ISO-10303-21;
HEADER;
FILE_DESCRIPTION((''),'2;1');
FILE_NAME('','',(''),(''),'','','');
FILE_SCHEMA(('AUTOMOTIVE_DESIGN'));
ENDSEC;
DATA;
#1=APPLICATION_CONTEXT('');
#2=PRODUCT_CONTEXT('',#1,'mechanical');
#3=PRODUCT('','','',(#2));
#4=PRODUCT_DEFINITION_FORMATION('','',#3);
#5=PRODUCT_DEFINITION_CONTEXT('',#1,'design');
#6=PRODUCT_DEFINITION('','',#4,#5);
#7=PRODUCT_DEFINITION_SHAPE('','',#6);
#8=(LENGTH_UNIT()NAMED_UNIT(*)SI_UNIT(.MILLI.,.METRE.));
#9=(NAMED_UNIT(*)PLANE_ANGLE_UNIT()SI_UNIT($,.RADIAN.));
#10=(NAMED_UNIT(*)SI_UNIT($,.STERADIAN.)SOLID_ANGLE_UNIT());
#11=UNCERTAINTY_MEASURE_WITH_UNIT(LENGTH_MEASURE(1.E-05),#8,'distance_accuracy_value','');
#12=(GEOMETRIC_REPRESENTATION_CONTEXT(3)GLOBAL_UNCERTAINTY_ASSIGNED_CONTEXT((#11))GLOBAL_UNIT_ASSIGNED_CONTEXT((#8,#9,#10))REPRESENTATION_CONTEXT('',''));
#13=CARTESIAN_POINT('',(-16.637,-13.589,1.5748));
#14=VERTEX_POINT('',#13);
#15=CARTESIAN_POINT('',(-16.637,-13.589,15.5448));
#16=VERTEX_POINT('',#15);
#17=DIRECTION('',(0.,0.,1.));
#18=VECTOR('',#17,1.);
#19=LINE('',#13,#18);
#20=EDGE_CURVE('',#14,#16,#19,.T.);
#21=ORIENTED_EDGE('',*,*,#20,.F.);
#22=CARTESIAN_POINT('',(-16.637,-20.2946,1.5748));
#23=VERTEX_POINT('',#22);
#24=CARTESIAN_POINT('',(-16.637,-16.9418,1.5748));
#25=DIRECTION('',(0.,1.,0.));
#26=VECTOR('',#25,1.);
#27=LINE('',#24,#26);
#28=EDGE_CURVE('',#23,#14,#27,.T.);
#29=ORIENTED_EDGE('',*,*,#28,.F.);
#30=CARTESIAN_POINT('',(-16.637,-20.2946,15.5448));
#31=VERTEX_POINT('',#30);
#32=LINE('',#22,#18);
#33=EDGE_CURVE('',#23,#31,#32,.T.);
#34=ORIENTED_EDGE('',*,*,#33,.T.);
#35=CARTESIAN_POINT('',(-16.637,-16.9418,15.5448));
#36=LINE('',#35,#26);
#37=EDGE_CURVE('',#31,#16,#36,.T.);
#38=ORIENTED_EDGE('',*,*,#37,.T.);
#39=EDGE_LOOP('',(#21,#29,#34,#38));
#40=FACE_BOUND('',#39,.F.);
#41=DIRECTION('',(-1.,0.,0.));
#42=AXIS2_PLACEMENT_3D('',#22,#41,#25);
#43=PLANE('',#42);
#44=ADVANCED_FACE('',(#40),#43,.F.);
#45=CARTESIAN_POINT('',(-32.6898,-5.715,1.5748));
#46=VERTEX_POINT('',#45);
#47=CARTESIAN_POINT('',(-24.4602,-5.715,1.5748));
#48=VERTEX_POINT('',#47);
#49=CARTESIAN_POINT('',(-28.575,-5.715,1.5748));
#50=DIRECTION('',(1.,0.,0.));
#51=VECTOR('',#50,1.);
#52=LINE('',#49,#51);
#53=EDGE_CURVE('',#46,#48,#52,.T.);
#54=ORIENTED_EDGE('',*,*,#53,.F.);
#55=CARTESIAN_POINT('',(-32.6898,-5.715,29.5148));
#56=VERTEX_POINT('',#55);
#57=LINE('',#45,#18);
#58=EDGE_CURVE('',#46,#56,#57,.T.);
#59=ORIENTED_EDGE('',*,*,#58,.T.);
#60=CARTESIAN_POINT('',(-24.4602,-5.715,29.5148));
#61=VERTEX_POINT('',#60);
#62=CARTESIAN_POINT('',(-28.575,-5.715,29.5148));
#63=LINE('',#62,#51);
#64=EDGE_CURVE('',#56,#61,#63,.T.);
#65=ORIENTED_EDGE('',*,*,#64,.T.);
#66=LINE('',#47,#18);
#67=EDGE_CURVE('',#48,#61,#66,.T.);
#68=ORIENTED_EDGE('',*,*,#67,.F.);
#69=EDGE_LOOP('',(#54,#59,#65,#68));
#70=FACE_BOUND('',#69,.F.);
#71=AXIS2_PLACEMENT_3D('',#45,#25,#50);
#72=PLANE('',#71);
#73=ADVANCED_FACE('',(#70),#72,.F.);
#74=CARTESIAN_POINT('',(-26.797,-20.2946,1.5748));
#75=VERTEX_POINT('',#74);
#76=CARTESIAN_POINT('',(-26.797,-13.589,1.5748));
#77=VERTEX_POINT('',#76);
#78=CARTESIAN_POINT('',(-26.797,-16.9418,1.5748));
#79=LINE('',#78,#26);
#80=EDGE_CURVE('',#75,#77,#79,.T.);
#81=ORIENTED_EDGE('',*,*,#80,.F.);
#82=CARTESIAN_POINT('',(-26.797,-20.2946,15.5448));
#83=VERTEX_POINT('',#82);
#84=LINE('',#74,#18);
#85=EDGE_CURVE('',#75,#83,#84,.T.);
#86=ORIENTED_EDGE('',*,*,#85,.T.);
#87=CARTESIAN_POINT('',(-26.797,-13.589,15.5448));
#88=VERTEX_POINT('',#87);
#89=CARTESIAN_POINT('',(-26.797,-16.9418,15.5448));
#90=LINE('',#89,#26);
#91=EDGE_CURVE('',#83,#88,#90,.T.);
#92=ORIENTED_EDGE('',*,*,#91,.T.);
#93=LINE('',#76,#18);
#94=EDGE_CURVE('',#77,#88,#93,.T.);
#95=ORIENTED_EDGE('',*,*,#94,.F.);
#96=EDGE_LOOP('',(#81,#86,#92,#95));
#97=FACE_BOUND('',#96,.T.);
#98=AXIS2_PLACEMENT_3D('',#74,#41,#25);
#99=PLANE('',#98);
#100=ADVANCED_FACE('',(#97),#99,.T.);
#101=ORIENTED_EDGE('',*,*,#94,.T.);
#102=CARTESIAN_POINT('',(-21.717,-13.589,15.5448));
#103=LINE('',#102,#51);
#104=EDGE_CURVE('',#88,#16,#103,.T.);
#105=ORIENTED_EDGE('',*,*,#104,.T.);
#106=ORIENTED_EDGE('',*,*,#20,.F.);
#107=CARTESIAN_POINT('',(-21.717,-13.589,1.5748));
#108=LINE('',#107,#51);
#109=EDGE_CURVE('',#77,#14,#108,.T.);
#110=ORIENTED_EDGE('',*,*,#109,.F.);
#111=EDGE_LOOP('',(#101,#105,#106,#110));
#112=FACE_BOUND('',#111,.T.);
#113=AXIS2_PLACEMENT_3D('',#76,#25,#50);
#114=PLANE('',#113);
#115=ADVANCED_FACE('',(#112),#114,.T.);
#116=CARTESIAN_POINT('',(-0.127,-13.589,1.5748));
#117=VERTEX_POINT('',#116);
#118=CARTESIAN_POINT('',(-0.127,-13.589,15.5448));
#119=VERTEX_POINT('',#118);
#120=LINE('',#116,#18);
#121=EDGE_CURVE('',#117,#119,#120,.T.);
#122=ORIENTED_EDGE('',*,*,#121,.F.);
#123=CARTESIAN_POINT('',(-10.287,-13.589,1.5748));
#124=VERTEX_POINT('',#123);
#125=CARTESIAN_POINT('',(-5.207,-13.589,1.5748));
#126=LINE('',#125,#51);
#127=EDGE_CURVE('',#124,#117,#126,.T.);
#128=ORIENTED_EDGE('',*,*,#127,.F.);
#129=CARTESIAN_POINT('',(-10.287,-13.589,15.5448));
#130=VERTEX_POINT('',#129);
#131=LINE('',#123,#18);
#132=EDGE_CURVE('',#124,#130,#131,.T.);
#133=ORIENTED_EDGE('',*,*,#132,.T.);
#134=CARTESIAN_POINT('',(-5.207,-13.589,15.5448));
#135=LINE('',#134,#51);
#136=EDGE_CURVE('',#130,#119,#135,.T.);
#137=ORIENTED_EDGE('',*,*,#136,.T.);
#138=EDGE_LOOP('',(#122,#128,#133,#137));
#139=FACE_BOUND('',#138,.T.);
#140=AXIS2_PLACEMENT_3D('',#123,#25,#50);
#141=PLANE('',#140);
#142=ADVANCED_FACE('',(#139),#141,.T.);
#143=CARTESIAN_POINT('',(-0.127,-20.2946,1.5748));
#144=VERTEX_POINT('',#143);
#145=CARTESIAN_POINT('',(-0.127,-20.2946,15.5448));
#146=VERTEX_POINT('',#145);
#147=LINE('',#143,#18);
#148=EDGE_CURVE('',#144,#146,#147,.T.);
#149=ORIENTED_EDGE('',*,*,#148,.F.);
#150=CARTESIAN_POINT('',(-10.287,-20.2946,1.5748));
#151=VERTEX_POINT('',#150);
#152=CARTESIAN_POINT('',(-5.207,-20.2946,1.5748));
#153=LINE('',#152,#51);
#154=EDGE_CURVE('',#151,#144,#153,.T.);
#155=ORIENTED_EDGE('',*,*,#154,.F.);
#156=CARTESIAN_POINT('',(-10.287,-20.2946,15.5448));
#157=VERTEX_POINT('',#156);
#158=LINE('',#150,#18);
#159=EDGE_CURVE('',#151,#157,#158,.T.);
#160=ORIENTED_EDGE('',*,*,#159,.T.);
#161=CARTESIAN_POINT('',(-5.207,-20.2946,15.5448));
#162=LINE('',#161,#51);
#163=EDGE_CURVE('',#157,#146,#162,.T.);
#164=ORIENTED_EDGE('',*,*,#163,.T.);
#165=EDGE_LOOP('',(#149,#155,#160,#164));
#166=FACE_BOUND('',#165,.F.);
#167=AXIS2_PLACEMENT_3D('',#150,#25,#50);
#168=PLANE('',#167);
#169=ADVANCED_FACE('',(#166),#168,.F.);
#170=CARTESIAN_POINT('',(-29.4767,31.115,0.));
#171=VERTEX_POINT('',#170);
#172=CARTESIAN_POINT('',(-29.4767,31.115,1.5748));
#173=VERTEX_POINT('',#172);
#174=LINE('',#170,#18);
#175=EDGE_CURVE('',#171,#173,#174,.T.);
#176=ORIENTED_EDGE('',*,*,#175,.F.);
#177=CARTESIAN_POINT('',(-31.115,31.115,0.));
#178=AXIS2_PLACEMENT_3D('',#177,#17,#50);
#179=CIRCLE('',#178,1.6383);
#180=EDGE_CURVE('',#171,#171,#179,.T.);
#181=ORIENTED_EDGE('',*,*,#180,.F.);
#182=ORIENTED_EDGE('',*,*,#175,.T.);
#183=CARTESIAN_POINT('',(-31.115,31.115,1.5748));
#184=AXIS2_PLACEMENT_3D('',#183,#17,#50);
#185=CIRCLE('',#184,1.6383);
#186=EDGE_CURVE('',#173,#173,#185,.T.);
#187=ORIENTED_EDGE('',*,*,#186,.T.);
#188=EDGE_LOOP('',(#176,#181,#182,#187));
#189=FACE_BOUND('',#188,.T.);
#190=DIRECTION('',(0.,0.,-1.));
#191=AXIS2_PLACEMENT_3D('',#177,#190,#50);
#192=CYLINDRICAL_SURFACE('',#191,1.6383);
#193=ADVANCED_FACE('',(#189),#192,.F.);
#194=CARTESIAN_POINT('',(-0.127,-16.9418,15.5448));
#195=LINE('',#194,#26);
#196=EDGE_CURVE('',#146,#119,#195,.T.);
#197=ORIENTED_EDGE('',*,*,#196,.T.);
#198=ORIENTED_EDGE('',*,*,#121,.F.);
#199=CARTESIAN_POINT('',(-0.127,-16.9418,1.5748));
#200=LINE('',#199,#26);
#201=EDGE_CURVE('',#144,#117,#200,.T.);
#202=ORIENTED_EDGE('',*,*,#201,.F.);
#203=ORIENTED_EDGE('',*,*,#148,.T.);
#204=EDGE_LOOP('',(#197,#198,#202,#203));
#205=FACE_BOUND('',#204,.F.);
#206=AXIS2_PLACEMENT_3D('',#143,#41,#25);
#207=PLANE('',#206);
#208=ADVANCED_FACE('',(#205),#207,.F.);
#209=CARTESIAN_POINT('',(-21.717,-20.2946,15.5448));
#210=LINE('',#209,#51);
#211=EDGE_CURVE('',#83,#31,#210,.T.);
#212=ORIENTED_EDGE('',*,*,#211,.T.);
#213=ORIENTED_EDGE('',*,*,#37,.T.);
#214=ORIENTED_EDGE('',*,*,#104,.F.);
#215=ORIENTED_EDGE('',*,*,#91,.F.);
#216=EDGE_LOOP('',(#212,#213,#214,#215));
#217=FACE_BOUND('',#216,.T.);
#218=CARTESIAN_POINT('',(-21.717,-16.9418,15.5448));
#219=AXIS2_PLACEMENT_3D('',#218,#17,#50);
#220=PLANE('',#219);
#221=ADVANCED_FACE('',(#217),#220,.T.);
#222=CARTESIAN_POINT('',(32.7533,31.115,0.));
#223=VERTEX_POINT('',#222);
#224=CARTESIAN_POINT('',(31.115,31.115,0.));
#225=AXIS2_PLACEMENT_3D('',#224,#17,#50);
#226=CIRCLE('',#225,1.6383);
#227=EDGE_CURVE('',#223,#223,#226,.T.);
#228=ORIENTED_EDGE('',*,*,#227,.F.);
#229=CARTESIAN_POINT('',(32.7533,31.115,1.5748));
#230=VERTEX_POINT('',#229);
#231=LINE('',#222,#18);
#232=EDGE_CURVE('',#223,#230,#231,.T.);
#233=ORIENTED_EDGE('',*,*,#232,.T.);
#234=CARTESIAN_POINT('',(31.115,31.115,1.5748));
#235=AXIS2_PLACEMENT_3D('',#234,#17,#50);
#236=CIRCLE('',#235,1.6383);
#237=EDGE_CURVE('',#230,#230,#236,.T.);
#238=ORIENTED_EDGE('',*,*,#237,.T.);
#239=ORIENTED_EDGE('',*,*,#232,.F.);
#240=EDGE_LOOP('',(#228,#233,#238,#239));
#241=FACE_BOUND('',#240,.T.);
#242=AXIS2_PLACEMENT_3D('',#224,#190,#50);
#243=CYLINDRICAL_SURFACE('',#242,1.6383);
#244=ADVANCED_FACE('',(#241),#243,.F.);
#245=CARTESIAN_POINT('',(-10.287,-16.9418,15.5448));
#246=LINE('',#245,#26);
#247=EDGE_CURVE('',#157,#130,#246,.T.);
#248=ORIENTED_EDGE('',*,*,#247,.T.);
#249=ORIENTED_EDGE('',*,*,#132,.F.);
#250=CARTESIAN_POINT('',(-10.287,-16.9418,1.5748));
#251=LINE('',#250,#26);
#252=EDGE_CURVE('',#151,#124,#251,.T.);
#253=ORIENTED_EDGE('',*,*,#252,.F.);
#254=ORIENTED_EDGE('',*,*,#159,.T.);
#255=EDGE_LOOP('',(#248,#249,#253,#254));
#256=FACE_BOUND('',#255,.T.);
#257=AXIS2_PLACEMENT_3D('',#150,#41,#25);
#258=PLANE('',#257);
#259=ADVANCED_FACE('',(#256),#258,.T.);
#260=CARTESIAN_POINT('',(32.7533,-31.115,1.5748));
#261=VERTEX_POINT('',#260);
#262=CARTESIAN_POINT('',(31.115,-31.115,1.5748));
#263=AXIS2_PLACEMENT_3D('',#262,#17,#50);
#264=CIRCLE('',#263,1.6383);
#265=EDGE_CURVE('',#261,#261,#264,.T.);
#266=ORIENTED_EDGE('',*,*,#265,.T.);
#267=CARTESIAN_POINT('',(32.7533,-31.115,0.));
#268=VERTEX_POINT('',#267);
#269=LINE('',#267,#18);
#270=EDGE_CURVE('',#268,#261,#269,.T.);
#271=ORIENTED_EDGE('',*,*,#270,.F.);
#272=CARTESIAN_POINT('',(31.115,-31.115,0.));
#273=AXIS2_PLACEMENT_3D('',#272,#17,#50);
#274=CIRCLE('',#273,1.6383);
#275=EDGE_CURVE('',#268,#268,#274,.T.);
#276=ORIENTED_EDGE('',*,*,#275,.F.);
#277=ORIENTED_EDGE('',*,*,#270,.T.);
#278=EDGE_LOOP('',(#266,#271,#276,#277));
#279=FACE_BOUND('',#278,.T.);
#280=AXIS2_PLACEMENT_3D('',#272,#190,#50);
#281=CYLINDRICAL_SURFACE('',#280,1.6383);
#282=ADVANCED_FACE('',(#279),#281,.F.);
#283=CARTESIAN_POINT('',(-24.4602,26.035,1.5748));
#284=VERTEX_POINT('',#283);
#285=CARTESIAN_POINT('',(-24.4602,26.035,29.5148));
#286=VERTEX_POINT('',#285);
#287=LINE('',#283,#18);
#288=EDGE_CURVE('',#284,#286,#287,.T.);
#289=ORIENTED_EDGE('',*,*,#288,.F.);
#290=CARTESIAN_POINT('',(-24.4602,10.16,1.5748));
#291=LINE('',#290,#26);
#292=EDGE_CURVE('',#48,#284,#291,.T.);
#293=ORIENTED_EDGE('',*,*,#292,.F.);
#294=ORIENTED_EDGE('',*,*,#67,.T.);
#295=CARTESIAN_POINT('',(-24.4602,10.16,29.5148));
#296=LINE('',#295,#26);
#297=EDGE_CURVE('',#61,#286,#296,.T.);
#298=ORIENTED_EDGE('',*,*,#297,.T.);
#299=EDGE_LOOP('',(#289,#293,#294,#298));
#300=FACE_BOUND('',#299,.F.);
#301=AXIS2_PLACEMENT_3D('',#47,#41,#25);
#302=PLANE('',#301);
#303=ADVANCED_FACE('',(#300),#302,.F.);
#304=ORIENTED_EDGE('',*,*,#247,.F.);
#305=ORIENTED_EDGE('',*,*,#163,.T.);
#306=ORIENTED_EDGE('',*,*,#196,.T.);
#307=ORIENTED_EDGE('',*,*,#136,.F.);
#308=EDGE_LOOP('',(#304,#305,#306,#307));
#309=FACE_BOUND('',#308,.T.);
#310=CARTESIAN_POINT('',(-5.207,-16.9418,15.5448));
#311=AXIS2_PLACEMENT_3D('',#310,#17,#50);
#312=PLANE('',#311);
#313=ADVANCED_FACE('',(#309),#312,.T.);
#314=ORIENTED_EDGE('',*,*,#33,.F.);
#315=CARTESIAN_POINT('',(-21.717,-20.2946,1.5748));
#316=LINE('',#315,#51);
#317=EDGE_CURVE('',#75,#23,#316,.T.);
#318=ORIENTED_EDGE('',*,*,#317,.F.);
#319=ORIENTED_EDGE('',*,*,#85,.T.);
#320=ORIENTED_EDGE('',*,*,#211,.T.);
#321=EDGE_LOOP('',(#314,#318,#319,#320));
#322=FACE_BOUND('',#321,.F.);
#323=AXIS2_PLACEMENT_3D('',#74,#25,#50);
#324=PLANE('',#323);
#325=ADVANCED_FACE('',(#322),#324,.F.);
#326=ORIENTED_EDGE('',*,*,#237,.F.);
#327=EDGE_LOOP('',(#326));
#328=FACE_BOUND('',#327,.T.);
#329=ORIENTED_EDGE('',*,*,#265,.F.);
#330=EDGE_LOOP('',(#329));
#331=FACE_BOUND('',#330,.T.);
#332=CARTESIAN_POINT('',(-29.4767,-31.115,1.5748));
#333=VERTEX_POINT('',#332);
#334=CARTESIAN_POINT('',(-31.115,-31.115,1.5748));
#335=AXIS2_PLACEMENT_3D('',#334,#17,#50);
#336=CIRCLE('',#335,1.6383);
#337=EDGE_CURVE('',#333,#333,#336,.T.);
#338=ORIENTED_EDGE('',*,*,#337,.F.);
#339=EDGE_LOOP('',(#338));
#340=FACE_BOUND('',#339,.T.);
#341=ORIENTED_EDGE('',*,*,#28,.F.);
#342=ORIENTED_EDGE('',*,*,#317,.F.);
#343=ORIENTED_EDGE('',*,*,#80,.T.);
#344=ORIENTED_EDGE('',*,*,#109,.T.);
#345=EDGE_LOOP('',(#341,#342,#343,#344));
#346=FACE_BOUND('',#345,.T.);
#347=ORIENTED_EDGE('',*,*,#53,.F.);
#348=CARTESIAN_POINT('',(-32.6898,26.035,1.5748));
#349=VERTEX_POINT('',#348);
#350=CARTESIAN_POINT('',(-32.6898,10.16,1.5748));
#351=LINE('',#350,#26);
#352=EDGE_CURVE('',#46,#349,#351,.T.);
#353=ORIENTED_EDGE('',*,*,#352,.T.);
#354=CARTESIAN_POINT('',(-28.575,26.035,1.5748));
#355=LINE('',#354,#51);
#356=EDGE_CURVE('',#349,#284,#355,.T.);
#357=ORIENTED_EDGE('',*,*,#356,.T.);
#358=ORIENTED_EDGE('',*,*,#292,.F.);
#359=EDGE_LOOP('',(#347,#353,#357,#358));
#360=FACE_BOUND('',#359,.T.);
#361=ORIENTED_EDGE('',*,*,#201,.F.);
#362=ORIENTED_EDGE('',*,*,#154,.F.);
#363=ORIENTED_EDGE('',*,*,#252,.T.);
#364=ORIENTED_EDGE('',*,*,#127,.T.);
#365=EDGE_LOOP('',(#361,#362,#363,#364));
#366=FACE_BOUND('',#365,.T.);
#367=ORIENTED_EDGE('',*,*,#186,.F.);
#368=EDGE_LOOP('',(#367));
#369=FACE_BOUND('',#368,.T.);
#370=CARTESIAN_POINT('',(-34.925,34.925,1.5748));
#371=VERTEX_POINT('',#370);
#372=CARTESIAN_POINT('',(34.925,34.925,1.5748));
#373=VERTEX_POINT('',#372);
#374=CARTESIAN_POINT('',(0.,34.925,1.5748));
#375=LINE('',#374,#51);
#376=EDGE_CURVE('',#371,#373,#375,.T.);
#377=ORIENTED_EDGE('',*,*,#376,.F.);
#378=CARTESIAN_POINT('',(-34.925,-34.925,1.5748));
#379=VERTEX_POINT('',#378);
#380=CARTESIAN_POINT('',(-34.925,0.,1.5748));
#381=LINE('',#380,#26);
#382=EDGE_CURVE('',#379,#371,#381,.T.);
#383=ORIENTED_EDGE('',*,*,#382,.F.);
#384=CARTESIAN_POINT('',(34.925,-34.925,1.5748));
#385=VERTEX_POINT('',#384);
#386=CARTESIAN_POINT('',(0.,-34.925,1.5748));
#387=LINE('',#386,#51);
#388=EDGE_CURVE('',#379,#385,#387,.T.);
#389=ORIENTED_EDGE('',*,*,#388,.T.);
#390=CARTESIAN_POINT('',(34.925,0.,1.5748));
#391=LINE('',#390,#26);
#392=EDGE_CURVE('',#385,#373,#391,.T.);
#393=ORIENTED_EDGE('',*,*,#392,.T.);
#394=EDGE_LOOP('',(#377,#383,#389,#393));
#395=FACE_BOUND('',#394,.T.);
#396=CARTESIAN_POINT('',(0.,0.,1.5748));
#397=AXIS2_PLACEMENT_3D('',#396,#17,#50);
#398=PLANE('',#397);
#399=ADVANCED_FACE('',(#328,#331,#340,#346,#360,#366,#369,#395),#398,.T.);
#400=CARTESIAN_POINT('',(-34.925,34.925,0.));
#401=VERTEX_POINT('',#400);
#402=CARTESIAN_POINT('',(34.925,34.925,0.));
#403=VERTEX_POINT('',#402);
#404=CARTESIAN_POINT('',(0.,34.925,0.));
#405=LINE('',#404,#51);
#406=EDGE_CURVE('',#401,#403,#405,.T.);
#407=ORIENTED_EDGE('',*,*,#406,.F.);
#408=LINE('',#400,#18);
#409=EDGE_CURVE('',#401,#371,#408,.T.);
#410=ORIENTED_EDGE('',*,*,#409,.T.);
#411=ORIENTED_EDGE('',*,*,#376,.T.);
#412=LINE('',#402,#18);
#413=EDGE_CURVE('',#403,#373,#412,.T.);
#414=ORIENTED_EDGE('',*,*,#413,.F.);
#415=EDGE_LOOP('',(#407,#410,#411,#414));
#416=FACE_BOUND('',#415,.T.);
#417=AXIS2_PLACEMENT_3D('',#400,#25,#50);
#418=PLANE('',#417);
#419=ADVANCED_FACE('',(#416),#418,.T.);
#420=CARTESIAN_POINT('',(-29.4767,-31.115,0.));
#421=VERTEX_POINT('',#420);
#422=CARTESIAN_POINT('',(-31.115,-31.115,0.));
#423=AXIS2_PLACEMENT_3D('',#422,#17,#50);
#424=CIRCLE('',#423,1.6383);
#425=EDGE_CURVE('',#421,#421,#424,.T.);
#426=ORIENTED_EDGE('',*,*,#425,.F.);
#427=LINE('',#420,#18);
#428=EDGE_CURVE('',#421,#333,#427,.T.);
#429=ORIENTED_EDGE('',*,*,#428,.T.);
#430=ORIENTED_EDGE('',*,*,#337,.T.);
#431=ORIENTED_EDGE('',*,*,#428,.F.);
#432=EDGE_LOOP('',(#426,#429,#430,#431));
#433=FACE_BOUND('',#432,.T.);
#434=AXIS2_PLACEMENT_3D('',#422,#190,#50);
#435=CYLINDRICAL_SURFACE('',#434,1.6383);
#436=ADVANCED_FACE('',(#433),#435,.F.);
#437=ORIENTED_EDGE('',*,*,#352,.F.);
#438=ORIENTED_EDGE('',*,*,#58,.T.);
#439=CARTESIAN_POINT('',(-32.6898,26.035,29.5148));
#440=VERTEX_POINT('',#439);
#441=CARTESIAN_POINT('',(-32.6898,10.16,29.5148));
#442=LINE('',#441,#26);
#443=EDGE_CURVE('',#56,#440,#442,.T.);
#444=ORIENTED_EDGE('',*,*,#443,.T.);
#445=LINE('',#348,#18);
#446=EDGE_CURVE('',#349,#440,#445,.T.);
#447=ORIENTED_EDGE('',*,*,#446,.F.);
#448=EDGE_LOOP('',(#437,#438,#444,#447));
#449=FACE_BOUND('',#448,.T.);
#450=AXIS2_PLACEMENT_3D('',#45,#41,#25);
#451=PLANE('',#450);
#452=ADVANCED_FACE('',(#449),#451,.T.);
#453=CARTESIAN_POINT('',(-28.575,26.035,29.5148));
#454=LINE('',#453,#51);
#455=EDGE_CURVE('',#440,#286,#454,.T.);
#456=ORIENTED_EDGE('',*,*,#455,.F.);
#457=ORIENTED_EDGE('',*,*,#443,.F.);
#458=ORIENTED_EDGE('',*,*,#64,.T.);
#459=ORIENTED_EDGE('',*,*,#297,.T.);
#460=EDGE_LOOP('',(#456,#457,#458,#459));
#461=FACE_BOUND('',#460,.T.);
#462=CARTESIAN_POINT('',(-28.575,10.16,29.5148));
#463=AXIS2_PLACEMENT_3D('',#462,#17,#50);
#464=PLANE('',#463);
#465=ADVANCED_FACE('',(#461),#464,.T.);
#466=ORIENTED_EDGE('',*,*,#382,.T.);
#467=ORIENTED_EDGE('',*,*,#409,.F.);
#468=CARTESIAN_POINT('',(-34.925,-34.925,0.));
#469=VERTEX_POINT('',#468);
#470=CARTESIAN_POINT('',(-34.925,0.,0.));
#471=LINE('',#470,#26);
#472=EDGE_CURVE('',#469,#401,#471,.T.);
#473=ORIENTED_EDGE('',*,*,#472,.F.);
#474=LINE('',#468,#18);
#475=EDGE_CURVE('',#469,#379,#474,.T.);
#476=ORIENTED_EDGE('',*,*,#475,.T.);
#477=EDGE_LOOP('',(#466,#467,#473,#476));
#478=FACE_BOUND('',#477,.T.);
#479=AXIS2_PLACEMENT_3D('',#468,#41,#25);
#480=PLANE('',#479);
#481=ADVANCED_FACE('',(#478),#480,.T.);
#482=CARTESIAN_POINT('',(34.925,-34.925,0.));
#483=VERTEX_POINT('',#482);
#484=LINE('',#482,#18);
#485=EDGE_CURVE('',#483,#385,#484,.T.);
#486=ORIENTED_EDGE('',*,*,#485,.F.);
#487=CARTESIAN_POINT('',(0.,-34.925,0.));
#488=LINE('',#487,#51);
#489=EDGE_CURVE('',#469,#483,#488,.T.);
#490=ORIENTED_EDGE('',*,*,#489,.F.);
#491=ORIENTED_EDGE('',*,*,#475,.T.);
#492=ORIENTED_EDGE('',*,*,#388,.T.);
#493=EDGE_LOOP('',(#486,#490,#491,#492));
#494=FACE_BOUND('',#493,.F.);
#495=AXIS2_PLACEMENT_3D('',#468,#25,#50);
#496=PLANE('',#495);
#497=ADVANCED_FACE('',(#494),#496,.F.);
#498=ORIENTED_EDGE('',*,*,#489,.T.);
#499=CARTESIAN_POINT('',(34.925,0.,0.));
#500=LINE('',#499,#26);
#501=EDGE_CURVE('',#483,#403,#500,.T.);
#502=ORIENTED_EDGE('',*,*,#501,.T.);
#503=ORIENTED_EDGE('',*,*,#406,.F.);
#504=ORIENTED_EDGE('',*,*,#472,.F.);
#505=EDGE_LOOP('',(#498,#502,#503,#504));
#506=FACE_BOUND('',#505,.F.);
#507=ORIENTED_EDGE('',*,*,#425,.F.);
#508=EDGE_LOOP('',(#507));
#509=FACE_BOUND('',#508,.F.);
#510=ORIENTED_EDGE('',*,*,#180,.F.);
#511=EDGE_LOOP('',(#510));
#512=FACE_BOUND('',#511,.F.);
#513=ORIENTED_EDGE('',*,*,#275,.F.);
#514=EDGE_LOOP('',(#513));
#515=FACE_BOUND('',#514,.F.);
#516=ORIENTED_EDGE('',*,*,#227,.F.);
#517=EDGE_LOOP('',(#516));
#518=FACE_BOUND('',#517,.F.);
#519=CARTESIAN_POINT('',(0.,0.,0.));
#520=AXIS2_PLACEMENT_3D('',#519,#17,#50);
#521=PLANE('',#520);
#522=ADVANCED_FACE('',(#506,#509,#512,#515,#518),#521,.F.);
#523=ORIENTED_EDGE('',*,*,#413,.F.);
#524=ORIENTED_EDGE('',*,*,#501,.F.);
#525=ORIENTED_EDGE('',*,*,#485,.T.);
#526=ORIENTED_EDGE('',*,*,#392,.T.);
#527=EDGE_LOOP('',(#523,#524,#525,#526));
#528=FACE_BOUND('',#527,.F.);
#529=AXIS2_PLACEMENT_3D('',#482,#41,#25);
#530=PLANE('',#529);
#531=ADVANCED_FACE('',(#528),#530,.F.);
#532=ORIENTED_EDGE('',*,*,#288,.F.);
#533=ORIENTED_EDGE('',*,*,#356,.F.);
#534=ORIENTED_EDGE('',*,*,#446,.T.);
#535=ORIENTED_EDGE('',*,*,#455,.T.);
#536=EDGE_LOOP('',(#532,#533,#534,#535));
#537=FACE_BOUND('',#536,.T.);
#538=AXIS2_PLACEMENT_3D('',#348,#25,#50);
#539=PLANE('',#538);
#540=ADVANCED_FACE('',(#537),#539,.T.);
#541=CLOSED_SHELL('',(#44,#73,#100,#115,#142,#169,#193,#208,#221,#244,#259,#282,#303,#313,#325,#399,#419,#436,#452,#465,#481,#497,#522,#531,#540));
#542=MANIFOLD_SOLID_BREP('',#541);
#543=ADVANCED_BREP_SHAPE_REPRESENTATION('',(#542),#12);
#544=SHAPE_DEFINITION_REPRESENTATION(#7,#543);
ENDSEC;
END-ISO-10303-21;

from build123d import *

# Parameters (mm, degrees)
F0_W     = 69.85
F0_H     = 69.85
F0_R     = 1.6383
F1_DEPTH = 1.5748
F2_W     = 8.2296
F2_H     = 31.75
F3_DEPTH = 27.94
F4_W     = 10.16
F4_H     = 6.7056
F5_DEPTH = 13.97


with BuildPart() as f1:
    # F0 (on Top) → F1 (new body)
    with BuildSketch(Plane.XY):
        Rectangle(F0_W, F0_H)
        with Locations((-31.115, -31.115)):
            Circle(F0_R, mode=Mode.SUBTRACT)
        with Locations((31.115, -31.115)):
            Circle(F0_R, mode=Mode.SUBTRACT)
        with Locations((-31.115, 31.115)):
            Circle(F0_R, mode=Mode.SUBTRACT)
        with Locations((31.115, 31.115)):
            Circle(F0_R, mode=Mode.SUBTRACT)
    extrude(amount=F1_DEPTH)

    # F2 (on face) → F3 (join)
    with BuildSketch(Plane.XY.offset(1.5748)):
        with Locations((-28.575, 10.16)):
            Rectangle(F2_W, F2_H)
    extrude(amount=F3_DEPTH)

    # F4 (on face) → F5 (join)
    with BuildSketch(Plane.XY.offset(1.5748)):
        with Locations((-21.717, -16.9418)):
            Rectangle(F4_W, F4_H)
        with Locations((-5.207, -16.9418)):
            Rectangle(F4_W, F4_H)
    extrude(amount=F5_DEPTH)


solid = f1.part
